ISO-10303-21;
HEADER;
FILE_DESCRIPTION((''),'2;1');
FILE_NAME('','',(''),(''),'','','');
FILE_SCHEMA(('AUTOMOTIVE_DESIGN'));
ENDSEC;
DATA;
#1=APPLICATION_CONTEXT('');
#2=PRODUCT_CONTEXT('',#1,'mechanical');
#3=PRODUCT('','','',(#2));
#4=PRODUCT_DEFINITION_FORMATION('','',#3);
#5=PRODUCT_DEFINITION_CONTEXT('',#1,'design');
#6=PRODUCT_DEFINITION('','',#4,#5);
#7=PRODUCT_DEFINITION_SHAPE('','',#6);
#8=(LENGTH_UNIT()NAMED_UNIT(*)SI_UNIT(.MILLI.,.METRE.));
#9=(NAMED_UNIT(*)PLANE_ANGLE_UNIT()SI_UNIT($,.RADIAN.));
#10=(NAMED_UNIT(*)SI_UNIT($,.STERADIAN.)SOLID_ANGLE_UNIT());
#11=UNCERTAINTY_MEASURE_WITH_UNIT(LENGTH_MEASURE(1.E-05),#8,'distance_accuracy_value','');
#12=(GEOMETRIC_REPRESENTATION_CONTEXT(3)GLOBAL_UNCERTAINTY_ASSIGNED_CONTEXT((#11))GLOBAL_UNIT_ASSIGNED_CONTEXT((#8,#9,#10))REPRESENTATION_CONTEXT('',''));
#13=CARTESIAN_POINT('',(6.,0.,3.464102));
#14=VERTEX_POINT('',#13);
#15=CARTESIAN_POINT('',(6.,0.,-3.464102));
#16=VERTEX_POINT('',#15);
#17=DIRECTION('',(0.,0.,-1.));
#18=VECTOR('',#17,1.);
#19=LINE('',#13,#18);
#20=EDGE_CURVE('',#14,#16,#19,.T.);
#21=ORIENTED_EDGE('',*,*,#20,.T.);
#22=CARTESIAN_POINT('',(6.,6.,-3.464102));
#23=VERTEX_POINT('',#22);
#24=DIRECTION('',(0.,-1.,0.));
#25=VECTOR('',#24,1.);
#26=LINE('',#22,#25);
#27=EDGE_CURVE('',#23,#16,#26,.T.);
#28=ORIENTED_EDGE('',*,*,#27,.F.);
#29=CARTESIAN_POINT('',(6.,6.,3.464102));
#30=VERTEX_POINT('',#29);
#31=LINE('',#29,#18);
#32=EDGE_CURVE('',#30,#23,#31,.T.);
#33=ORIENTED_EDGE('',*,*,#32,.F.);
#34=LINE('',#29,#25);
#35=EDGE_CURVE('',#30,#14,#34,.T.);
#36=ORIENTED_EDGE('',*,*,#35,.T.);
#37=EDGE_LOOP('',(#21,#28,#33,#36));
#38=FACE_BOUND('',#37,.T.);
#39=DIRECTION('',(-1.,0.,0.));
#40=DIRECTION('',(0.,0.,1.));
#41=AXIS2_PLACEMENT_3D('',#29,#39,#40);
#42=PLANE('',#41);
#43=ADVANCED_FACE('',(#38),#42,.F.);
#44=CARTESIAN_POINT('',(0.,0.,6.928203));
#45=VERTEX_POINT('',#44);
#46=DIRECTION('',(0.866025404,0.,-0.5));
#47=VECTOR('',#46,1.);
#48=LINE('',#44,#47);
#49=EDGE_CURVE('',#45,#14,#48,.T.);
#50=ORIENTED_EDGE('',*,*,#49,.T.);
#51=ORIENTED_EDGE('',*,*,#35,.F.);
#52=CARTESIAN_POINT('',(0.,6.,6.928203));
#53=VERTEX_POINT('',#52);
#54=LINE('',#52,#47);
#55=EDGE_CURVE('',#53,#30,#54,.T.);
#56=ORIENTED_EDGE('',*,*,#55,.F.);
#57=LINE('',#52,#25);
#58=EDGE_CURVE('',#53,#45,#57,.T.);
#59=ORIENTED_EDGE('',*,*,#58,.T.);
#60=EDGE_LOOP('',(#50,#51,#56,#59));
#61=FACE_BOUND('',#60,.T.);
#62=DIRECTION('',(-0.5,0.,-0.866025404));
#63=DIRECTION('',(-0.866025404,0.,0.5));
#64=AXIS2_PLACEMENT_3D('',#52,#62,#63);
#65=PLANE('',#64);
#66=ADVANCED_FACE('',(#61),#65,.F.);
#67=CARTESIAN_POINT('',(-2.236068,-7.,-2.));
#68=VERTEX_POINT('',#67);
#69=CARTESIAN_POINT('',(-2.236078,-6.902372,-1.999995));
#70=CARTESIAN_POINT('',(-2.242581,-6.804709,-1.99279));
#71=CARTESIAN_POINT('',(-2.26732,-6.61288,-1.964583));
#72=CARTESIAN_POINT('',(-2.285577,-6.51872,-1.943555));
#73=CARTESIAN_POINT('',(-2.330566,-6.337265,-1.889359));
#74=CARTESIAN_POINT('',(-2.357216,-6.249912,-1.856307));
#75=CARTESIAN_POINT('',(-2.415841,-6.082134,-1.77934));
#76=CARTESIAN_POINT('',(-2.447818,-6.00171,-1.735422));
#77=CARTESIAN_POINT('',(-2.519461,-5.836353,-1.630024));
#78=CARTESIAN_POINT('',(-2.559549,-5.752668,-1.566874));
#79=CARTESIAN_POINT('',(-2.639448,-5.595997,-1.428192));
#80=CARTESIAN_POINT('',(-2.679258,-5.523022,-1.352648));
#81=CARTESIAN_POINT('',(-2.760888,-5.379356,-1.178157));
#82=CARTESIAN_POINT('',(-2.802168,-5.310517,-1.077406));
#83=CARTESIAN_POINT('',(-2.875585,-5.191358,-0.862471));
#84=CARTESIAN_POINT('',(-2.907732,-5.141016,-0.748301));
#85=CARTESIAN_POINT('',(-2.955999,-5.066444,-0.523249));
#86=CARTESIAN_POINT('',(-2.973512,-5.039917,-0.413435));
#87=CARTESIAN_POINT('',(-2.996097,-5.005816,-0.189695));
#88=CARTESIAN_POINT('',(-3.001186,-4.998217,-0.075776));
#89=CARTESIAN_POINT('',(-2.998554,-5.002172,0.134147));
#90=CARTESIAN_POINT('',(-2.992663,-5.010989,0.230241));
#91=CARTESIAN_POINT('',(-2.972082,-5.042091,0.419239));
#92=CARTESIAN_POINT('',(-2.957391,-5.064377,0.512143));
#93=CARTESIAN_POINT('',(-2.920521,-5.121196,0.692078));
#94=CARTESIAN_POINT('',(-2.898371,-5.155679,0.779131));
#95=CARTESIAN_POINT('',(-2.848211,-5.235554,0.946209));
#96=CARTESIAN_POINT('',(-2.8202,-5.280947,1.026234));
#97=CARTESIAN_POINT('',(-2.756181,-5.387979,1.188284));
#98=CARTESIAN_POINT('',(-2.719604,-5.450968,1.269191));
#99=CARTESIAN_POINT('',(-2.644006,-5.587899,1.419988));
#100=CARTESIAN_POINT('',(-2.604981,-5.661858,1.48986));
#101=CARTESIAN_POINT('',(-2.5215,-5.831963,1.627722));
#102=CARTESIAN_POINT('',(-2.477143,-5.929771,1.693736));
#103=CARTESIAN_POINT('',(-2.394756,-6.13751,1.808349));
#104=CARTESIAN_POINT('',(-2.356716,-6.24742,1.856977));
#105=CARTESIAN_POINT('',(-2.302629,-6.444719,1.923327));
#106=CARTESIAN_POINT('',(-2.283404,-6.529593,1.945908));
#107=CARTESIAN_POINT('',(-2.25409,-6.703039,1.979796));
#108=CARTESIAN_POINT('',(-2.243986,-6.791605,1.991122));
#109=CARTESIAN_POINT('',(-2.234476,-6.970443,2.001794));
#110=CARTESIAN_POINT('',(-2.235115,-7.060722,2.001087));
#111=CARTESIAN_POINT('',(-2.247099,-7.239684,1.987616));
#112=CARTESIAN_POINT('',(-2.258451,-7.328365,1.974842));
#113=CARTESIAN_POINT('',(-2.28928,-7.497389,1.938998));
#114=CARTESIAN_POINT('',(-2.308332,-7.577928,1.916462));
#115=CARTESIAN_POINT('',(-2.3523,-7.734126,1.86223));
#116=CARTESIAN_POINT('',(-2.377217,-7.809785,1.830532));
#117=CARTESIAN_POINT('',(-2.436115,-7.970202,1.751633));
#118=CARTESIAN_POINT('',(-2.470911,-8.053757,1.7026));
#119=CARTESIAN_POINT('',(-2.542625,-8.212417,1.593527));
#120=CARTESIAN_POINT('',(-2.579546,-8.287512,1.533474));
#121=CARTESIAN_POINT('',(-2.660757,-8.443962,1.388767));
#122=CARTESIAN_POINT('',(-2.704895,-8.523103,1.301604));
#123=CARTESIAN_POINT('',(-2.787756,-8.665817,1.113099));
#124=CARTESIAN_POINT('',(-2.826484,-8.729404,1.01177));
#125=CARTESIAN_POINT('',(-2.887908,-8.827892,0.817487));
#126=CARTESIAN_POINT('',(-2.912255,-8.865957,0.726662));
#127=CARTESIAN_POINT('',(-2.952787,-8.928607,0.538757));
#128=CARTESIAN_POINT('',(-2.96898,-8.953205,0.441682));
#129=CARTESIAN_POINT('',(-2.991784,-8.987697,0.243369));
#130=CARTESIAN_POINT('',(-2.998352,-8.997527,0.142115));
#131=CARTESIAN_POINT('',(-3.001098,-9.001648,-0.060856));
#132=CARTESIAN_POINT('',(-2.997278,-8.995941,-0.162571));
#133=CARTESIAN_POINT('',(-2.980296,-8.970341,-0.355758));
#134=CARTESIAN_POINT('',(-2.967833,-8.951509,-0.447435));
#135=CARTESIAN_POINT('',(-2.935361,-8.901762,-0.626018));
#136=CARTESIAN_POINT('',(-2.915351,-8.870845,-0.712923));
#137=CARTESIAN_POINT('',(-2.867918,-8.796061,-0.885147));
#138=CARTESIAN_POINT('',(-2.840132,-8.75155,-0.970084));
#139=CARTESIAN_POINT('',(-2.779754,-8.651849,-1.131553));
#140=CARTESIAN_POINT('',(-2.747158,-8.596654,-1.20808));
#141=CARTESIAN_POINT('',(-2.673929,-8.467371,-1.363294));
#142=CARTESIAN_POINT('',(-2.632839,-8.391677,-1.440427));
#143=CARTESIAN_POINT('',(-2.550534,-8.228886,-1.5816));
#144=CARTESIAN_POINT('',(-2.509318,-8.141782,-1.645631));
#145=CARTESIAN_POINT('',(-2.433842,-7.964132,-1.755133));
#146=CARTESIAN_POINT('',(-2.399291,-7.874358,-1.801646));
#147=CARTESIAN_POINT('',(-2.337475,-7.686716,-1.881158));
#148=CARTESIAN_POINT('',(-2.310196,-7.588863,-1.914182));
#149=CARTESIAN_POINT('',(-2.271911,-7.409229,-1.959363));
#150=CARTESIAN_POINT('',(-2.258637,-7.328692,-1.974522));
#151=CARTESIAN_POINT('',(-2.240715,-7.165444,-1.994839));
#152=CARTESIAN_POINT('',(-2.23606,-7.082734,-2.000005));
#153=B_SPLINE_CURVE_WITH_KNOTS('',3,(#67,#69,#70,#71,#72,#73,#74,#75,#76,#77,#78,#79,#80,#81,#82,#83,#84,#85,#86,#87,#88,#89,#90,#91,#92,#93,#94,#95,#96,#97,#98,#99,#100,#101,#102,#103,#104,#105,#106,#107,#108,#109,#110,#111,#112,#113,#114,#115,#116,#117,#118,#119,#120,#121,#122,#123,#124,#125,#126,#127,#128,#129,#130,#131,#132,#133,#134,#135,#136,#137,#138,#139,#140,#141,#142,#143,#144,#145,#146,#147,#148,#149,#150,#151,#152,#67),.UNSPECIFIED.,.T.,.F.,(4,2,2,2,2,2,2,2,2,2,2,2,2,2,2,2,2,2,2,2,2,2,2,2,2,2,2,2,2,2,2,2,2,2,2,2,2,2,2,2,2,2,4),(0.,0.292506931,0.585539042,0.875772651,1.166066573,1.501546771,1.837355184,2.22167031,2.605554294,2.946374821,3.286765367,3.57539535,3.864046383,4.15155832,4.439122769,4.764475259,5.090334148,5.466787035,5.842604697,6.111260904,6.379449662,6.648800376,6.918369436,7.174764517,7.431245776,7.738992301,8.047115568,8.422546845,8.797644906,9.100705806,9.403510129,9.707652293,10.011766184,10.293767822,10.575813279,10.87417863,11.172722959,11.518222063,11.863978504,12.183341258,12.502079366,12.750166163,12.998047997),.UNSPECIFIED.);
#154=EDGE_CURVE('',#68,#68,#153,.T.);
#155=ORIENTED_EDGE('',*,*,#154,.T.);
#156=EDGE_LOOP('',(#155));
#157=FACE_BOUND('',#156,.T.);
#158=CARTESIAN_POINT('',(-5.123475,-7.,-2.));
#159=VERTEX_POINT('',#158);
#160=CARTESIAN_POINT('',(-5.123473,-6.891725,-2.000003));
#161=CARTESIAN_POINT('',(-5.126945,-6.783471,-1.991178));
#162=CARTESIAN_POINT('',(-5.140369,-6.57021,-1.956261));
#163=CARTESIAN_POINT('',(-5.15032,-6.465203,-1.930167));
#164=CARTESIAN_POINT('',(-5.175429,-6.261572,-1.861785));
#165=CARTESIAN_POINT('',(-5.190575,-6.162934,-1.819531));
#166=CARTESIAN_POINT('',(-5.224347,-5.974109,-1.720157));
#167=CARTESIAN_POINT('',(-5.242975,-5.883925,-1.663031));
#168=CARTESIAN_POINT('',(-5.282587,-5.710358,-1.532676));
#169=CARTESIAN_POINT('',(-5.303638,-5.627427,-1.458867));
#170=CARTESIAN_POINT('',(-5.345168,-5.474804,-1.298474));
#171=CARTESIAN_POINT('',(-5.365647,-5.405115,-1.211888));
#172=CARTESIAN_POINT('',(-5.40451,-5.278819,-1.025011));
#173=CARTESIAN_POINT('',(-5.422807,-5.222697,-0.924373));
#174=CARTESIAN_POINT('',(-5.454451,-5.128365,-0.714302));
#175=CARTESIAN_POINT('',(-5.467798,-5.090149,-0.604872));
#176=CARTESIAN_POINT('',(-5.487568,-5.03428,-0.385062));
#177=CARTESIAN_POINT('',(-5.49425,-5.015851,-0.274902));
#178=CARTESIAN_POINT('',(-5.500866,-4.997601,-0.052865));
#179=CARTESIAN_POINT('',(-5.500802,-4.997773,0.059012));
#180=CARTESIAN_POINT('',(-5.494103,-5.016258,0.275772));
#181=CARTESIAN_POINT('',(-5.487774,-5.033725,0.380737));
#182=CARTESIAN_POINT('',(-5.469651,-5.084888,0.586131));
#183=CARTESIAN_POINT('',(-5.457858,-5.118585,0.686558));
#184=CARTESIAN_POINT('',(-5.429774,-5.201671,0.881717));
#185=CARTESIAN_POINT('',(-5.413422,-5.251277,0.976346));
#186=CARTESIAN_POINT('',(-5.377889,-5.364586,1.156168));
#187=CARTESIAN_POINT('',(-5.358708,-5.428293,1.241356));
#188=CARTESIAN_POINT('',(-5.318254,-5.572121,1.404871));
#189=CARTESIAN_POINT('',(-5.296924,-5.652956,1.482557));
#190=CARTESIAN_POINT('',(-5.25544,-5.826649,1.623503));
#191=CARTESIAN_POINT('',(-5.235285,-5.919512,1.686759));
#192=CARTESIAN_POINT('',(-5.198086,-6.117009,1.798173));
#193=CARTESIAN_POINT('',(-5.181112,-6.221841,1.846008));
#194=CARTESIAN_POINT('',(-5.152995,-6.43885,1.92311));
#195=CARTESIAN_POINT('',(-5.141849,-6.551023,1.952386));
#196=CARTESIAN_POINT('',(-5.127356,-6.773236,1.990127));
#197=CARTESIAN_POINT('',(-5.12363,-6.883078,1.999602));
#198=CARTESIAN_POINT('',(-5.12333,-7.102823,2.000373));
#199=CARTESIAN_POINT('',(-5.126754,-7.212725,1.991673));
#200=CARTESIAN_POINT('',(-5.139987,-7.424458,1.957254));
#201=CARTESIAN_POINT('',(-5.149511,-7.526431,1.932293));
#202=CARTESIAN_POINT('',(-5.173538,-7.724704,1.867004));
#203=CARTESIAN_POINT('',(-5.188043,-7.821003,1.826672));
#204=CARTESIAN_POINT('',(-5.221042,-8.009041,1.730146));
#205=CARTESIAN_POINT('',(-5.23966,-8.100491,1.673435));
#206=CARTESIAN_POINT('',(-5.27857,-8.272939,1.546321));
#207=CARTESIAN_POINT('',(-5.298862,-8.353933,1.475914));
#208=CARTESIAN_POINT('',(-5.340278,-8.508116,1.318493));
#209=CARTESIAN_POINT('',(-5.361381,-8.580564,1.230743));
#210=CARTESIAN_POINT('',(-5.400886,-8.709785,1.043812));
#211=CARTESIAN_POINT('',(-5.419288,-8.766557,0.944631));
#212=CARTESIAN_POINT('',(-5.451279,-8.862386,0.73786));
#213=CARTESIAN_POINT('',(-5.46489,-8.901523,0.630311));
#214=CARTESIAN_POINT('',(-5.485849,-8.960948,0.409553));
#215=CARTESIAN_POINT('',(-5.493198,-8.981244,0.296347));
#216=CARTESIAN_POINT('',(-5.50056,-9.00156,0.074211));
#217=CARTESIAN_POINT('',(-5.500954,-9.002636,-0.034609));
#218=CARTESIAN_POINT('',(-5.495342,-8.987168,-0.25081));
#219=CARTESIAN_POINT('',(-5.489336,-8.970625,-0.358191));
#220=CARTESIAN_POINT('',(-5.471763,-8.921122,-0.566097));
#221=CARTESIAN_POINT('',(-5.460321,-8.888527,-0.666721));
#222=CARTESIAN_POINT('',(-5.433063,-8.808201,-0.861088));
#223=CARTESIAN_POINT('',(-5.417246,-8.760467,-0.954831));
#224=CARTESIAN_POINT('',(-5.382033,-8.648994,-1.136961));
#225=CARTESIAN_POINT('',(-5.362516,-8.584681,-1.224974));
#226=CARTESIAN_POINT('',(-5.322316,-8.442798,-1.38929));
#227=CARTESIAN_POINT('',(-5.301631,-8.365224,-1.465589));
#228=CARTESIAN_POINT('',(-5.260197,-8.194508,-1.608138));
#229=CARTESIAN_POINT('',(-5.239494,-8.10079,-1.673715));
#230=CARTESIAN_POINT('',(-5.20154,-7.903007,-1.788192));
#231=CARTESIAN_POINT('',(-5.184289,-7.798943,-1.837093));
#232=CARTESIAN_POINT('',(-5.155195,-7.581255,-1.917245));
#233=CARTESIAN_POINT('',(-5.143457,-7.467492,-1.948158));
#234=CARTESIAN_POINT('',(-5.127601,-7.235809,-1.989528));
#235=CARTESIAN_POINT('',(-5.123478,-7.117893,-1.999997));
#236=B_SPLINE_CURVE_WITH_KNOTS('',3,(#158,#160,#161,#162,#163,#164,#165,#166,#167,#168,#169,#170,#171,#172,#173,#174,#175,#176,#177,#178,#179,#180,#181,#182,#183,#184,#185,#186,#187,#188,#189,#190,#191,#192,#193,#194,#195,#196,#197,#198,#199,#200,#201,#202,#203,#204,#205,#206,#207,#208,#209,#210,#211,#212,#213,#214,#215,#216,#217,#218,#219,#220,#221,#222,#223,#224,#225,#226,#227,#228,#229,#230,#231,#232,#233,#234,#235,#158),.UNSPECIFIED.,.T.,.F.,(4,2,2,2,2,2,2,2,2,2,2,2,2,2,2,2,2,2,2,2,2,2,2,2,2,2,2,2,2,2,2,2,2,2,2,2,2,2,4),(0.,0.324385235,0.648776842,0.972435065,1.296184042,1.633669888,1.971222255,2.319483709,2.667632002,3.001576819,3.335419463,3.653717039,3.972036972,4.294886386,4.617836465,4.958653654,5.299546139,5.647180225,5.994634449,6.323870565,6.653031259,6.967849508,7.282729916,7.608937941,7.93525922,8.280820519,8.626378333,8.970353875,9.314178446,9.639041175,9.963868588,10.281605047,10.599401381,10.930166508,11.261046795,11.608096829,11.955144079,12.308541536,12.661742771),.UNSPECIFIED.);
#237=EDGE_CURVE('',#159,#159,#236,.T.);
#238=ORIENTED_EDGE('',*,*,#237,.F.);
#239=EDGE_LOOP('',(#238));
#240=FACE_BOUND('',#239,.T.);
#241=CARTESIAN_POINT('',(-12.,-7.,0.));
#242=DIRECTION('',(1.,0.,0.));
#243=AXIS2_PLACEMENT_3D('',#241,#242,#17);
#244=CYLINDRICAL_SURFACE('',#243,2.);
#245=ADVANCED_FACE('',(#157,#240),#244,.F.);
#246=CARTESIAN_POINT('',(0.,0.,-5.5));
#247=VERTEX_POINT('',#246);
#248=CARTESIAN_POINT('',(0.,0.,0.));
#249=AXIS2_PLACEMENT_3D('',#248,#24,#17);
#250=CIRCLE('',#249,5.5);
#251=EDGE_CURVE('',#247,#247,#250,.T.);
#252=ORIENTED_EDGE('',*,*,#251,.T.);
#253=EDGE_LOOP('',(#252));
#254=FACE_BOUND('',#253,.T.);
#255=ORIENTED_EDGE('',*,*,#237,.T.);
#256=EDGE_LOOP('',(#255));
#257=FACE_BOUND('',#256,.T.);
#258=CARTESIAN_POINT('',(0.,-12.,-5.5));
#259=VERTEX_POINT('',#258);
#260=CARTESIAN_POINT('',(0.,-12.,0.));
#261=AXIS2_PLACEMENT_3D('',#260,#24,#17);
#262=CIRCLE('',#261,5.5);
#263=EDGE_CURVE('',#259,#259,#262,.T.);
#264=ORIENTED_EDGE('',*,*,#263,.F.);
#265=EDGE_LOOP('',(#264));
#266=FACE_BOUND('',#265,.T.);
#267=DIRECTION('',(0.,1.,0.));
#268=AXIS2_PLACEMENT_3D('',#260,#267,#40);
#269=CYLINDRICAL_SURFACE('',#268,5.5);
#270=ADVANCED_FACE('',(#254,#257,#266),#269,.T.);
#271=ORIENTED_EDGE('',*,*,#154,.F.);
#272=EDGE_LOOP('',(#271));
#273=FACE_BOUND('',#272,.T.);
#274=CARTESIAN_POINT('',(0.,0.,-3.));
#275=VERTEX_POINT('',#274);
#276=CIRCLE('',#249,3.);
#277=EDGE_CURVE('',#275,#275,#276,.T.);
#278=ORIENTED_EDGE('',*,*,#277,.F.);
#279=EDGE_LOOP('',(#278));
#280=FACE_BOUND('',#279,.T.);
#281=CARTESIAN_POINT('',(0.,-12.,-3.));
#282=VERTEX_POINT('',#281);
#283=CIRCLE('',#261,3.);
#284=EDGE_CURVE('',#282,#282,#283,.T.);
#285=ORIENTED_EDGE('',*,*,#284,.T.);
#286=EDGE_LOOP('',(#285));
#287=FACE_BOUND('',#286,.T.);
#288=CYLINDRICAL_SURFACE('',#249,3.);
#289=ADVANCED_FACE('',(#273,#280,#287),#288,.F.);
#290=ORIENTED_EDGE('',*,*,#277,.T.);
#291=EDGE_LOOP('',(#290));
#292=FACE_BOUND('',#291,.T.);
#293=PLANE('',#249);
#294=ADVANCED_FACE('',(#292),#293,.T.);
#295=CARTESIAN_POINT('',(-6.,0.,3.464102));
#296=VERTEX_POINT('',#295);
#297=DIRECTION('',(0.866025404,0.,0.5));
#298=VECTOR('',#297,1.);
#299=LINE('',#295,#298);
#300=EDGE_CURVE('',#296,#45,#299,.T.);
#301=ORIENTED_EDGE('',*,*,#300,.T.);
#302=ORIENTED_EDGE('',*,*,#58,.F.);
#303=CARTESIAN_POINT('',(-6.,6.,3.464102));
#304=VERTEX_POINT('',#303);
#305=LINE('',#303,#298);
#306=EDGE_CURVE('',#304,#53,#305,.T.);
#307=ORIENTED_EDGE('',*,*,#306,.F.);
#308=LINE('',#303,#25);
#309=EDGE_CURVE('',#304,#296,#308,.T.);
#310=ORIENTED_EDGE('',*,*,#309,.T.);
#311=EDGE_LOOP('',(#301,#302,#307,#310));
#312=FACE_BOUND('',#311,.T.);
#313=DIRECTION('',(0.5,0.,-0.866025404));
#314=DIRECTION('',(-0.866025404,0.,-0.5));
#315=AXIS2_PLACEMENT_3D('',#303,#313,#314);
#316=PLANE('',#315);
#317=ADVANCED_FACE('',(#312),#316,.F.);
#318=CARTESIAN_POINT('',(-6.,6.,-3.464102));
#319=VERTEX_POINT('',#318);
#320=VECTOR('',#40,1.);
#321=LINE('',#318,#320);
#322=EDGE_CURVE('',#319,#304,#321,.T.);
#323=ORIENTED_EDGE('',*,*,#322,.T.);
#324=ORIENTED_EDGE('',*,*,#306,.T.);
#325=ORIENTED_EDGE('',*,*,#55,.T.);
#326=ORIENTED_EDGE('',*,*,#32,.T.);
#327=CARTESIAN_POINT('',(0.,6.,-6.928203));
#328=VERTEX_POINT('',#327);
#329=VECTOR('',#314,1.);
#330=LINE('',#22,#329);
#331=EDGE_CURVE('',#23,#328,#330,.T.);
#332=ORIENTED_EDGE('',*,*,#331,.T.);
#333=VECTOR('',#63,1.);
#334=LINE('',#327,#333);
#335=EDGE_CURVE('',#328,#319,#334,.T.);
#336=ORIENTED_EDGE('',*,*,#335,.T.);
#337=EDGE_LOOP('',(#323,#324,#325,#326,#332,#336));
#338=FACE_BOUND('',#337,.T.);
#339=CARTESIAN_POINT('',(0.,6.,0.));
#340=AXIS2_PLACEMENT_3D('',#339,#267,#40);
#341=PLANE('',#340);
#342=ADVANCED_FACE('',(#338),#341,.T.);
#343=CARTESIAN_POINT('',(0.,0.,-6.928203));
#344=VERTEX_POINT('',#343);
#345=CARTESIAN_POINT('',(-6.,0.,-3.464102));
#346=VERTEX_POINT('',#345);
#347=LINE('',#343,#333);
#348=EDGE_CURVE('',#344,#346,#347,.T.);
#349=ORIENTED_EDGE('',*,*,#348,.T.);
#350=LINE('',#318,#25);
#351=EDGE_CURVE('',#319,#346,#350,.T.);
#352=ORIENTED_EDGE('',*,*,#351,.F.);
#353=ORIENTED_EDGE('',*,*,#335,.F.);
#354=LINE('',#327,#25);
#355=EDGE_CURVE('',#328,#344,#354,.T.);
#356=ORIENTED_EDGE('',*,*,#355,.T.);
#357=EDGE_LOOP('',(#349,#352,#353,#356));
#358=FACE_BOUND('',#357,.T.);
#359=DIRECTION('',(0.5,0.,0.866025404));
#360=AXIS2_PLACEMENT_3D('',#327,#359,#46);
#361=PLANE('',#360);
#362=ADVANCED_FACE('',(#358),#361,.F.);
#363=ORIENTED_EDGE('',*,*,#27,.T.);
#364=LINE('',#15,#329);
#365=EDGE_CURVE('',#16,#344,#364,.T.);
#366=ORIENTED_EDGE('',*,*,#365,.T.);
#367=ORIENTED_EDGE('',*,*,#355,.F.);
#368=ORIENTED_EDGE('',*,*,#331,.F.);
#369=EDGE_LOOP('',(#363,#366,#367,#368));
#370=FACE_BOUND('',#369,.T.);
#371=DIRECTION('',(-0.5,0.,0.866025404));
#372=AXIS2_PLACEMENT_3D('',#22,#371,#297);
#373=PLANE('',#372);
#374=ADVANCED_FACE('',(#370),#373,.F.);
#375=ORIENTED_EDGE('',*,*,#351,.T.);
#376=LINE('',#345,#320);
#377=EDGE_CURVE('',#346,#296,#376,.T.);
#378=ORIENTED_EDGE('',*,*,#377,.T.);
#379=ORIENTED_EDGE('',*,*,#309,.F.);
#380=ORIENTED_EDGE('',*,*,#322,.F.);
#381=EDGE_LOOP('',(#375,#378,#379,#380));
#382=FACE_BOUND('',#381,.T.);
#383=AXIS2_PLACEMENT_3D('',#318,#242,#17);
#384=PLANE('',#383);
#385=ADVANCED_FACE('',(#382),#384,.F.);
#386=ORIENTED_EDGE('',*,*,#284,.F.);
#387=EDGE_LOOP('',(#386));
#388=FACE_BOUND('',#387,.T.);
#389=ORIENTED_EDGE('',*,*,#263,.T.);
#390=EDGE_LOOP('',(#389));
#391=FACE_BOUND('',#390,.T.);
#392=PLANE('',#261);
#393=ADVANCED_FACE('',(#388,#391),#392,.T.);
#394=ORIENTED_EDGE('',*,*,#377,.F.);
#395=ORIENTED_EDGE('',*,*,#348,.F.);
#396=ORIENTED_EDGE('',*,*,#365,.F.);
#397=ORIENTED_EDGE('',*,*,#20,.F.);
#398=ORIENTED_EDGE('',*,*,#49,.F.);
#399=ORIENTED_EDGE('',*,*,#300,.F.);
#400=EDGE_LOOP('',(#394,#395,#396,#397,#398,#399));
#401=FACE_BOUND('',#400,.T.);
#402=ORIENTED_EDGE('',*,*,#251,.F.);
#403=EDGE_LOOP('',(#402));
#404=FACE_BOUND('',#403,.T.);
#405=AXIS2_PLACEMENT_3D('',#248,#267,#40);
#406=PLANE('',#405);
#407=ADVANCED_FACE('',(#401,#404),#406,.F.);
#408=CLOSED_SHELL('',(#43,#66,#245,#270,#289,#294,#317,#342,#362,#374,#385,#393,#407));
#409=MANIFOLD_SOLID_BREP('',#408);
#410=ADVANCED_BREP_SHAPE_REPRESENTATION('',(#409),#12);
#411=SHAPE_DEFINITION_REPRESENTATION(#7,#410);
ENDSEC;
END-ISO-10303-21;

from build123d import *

# Parameters (mm, degrees)
EXTRUDE_1_DEPTH     = 6
SKETCH_2_R          = 5.5
EXTRUDE_2_DEPTH     = 12
SKETCH_3_R          = 2
CUT_EXTRUDE_1_DEPTH = 12
SKETCH_4_R          = 3
CUT_EXTRUDE_2_DEPTH = 12


with BuildPart() as part:
    # 草图1 → 凸台-拉伸1 (new body)
    with BuildSketch(Plane(origin=(0, 0, 0), x_dir=(1, 0, 0), z_dir=(0, 1, 0))):
        Polygon((0, 6.92820323), (-6, 3.464101615), (-6, -3.464101615), (0, -6.92820323), (6, -3.464101615), (6, 3.464101615), align=None)
    extrude(amount=EXTRUDE_1_DEPTH)

    # 草图2 → 凸台-拉伸2 (add)
    with BuildSketch(Plane.XZ):
        with Locations(Location((0, 0, 0), (0, 0, 270))):
            Circle(SKETCH_2_R)
    extrude(amount=EXTRUDE_2_DEPTH)

    # 草图3 → 切除-拉伸1 (cut)
    with BuildSketch(Plane(origin=(0, 0, 0), x_dir=(0, 0, -1), z_dir=(1, 0, 0))):
        with Locations((0, -7)):
            Circle(SKETCH_3_R)
    extrude(amount=-CUT_EXTRUDE_1_DEPTH, mode=Mode.SUBTRACT)

    # 草图4 → 切除-拉伸2 (cut)
    with BuildSketch(Plane.XZ.offset(12)):
        with Locations(Location((0, 0, 0), (0, 0, 270))):
            Circle(SKETCH_4_R)
    extrude(amount=-CUT_EXTRUDE_2_DEPTH, mode=Mode.SUBTRACT)


solid = part.part
